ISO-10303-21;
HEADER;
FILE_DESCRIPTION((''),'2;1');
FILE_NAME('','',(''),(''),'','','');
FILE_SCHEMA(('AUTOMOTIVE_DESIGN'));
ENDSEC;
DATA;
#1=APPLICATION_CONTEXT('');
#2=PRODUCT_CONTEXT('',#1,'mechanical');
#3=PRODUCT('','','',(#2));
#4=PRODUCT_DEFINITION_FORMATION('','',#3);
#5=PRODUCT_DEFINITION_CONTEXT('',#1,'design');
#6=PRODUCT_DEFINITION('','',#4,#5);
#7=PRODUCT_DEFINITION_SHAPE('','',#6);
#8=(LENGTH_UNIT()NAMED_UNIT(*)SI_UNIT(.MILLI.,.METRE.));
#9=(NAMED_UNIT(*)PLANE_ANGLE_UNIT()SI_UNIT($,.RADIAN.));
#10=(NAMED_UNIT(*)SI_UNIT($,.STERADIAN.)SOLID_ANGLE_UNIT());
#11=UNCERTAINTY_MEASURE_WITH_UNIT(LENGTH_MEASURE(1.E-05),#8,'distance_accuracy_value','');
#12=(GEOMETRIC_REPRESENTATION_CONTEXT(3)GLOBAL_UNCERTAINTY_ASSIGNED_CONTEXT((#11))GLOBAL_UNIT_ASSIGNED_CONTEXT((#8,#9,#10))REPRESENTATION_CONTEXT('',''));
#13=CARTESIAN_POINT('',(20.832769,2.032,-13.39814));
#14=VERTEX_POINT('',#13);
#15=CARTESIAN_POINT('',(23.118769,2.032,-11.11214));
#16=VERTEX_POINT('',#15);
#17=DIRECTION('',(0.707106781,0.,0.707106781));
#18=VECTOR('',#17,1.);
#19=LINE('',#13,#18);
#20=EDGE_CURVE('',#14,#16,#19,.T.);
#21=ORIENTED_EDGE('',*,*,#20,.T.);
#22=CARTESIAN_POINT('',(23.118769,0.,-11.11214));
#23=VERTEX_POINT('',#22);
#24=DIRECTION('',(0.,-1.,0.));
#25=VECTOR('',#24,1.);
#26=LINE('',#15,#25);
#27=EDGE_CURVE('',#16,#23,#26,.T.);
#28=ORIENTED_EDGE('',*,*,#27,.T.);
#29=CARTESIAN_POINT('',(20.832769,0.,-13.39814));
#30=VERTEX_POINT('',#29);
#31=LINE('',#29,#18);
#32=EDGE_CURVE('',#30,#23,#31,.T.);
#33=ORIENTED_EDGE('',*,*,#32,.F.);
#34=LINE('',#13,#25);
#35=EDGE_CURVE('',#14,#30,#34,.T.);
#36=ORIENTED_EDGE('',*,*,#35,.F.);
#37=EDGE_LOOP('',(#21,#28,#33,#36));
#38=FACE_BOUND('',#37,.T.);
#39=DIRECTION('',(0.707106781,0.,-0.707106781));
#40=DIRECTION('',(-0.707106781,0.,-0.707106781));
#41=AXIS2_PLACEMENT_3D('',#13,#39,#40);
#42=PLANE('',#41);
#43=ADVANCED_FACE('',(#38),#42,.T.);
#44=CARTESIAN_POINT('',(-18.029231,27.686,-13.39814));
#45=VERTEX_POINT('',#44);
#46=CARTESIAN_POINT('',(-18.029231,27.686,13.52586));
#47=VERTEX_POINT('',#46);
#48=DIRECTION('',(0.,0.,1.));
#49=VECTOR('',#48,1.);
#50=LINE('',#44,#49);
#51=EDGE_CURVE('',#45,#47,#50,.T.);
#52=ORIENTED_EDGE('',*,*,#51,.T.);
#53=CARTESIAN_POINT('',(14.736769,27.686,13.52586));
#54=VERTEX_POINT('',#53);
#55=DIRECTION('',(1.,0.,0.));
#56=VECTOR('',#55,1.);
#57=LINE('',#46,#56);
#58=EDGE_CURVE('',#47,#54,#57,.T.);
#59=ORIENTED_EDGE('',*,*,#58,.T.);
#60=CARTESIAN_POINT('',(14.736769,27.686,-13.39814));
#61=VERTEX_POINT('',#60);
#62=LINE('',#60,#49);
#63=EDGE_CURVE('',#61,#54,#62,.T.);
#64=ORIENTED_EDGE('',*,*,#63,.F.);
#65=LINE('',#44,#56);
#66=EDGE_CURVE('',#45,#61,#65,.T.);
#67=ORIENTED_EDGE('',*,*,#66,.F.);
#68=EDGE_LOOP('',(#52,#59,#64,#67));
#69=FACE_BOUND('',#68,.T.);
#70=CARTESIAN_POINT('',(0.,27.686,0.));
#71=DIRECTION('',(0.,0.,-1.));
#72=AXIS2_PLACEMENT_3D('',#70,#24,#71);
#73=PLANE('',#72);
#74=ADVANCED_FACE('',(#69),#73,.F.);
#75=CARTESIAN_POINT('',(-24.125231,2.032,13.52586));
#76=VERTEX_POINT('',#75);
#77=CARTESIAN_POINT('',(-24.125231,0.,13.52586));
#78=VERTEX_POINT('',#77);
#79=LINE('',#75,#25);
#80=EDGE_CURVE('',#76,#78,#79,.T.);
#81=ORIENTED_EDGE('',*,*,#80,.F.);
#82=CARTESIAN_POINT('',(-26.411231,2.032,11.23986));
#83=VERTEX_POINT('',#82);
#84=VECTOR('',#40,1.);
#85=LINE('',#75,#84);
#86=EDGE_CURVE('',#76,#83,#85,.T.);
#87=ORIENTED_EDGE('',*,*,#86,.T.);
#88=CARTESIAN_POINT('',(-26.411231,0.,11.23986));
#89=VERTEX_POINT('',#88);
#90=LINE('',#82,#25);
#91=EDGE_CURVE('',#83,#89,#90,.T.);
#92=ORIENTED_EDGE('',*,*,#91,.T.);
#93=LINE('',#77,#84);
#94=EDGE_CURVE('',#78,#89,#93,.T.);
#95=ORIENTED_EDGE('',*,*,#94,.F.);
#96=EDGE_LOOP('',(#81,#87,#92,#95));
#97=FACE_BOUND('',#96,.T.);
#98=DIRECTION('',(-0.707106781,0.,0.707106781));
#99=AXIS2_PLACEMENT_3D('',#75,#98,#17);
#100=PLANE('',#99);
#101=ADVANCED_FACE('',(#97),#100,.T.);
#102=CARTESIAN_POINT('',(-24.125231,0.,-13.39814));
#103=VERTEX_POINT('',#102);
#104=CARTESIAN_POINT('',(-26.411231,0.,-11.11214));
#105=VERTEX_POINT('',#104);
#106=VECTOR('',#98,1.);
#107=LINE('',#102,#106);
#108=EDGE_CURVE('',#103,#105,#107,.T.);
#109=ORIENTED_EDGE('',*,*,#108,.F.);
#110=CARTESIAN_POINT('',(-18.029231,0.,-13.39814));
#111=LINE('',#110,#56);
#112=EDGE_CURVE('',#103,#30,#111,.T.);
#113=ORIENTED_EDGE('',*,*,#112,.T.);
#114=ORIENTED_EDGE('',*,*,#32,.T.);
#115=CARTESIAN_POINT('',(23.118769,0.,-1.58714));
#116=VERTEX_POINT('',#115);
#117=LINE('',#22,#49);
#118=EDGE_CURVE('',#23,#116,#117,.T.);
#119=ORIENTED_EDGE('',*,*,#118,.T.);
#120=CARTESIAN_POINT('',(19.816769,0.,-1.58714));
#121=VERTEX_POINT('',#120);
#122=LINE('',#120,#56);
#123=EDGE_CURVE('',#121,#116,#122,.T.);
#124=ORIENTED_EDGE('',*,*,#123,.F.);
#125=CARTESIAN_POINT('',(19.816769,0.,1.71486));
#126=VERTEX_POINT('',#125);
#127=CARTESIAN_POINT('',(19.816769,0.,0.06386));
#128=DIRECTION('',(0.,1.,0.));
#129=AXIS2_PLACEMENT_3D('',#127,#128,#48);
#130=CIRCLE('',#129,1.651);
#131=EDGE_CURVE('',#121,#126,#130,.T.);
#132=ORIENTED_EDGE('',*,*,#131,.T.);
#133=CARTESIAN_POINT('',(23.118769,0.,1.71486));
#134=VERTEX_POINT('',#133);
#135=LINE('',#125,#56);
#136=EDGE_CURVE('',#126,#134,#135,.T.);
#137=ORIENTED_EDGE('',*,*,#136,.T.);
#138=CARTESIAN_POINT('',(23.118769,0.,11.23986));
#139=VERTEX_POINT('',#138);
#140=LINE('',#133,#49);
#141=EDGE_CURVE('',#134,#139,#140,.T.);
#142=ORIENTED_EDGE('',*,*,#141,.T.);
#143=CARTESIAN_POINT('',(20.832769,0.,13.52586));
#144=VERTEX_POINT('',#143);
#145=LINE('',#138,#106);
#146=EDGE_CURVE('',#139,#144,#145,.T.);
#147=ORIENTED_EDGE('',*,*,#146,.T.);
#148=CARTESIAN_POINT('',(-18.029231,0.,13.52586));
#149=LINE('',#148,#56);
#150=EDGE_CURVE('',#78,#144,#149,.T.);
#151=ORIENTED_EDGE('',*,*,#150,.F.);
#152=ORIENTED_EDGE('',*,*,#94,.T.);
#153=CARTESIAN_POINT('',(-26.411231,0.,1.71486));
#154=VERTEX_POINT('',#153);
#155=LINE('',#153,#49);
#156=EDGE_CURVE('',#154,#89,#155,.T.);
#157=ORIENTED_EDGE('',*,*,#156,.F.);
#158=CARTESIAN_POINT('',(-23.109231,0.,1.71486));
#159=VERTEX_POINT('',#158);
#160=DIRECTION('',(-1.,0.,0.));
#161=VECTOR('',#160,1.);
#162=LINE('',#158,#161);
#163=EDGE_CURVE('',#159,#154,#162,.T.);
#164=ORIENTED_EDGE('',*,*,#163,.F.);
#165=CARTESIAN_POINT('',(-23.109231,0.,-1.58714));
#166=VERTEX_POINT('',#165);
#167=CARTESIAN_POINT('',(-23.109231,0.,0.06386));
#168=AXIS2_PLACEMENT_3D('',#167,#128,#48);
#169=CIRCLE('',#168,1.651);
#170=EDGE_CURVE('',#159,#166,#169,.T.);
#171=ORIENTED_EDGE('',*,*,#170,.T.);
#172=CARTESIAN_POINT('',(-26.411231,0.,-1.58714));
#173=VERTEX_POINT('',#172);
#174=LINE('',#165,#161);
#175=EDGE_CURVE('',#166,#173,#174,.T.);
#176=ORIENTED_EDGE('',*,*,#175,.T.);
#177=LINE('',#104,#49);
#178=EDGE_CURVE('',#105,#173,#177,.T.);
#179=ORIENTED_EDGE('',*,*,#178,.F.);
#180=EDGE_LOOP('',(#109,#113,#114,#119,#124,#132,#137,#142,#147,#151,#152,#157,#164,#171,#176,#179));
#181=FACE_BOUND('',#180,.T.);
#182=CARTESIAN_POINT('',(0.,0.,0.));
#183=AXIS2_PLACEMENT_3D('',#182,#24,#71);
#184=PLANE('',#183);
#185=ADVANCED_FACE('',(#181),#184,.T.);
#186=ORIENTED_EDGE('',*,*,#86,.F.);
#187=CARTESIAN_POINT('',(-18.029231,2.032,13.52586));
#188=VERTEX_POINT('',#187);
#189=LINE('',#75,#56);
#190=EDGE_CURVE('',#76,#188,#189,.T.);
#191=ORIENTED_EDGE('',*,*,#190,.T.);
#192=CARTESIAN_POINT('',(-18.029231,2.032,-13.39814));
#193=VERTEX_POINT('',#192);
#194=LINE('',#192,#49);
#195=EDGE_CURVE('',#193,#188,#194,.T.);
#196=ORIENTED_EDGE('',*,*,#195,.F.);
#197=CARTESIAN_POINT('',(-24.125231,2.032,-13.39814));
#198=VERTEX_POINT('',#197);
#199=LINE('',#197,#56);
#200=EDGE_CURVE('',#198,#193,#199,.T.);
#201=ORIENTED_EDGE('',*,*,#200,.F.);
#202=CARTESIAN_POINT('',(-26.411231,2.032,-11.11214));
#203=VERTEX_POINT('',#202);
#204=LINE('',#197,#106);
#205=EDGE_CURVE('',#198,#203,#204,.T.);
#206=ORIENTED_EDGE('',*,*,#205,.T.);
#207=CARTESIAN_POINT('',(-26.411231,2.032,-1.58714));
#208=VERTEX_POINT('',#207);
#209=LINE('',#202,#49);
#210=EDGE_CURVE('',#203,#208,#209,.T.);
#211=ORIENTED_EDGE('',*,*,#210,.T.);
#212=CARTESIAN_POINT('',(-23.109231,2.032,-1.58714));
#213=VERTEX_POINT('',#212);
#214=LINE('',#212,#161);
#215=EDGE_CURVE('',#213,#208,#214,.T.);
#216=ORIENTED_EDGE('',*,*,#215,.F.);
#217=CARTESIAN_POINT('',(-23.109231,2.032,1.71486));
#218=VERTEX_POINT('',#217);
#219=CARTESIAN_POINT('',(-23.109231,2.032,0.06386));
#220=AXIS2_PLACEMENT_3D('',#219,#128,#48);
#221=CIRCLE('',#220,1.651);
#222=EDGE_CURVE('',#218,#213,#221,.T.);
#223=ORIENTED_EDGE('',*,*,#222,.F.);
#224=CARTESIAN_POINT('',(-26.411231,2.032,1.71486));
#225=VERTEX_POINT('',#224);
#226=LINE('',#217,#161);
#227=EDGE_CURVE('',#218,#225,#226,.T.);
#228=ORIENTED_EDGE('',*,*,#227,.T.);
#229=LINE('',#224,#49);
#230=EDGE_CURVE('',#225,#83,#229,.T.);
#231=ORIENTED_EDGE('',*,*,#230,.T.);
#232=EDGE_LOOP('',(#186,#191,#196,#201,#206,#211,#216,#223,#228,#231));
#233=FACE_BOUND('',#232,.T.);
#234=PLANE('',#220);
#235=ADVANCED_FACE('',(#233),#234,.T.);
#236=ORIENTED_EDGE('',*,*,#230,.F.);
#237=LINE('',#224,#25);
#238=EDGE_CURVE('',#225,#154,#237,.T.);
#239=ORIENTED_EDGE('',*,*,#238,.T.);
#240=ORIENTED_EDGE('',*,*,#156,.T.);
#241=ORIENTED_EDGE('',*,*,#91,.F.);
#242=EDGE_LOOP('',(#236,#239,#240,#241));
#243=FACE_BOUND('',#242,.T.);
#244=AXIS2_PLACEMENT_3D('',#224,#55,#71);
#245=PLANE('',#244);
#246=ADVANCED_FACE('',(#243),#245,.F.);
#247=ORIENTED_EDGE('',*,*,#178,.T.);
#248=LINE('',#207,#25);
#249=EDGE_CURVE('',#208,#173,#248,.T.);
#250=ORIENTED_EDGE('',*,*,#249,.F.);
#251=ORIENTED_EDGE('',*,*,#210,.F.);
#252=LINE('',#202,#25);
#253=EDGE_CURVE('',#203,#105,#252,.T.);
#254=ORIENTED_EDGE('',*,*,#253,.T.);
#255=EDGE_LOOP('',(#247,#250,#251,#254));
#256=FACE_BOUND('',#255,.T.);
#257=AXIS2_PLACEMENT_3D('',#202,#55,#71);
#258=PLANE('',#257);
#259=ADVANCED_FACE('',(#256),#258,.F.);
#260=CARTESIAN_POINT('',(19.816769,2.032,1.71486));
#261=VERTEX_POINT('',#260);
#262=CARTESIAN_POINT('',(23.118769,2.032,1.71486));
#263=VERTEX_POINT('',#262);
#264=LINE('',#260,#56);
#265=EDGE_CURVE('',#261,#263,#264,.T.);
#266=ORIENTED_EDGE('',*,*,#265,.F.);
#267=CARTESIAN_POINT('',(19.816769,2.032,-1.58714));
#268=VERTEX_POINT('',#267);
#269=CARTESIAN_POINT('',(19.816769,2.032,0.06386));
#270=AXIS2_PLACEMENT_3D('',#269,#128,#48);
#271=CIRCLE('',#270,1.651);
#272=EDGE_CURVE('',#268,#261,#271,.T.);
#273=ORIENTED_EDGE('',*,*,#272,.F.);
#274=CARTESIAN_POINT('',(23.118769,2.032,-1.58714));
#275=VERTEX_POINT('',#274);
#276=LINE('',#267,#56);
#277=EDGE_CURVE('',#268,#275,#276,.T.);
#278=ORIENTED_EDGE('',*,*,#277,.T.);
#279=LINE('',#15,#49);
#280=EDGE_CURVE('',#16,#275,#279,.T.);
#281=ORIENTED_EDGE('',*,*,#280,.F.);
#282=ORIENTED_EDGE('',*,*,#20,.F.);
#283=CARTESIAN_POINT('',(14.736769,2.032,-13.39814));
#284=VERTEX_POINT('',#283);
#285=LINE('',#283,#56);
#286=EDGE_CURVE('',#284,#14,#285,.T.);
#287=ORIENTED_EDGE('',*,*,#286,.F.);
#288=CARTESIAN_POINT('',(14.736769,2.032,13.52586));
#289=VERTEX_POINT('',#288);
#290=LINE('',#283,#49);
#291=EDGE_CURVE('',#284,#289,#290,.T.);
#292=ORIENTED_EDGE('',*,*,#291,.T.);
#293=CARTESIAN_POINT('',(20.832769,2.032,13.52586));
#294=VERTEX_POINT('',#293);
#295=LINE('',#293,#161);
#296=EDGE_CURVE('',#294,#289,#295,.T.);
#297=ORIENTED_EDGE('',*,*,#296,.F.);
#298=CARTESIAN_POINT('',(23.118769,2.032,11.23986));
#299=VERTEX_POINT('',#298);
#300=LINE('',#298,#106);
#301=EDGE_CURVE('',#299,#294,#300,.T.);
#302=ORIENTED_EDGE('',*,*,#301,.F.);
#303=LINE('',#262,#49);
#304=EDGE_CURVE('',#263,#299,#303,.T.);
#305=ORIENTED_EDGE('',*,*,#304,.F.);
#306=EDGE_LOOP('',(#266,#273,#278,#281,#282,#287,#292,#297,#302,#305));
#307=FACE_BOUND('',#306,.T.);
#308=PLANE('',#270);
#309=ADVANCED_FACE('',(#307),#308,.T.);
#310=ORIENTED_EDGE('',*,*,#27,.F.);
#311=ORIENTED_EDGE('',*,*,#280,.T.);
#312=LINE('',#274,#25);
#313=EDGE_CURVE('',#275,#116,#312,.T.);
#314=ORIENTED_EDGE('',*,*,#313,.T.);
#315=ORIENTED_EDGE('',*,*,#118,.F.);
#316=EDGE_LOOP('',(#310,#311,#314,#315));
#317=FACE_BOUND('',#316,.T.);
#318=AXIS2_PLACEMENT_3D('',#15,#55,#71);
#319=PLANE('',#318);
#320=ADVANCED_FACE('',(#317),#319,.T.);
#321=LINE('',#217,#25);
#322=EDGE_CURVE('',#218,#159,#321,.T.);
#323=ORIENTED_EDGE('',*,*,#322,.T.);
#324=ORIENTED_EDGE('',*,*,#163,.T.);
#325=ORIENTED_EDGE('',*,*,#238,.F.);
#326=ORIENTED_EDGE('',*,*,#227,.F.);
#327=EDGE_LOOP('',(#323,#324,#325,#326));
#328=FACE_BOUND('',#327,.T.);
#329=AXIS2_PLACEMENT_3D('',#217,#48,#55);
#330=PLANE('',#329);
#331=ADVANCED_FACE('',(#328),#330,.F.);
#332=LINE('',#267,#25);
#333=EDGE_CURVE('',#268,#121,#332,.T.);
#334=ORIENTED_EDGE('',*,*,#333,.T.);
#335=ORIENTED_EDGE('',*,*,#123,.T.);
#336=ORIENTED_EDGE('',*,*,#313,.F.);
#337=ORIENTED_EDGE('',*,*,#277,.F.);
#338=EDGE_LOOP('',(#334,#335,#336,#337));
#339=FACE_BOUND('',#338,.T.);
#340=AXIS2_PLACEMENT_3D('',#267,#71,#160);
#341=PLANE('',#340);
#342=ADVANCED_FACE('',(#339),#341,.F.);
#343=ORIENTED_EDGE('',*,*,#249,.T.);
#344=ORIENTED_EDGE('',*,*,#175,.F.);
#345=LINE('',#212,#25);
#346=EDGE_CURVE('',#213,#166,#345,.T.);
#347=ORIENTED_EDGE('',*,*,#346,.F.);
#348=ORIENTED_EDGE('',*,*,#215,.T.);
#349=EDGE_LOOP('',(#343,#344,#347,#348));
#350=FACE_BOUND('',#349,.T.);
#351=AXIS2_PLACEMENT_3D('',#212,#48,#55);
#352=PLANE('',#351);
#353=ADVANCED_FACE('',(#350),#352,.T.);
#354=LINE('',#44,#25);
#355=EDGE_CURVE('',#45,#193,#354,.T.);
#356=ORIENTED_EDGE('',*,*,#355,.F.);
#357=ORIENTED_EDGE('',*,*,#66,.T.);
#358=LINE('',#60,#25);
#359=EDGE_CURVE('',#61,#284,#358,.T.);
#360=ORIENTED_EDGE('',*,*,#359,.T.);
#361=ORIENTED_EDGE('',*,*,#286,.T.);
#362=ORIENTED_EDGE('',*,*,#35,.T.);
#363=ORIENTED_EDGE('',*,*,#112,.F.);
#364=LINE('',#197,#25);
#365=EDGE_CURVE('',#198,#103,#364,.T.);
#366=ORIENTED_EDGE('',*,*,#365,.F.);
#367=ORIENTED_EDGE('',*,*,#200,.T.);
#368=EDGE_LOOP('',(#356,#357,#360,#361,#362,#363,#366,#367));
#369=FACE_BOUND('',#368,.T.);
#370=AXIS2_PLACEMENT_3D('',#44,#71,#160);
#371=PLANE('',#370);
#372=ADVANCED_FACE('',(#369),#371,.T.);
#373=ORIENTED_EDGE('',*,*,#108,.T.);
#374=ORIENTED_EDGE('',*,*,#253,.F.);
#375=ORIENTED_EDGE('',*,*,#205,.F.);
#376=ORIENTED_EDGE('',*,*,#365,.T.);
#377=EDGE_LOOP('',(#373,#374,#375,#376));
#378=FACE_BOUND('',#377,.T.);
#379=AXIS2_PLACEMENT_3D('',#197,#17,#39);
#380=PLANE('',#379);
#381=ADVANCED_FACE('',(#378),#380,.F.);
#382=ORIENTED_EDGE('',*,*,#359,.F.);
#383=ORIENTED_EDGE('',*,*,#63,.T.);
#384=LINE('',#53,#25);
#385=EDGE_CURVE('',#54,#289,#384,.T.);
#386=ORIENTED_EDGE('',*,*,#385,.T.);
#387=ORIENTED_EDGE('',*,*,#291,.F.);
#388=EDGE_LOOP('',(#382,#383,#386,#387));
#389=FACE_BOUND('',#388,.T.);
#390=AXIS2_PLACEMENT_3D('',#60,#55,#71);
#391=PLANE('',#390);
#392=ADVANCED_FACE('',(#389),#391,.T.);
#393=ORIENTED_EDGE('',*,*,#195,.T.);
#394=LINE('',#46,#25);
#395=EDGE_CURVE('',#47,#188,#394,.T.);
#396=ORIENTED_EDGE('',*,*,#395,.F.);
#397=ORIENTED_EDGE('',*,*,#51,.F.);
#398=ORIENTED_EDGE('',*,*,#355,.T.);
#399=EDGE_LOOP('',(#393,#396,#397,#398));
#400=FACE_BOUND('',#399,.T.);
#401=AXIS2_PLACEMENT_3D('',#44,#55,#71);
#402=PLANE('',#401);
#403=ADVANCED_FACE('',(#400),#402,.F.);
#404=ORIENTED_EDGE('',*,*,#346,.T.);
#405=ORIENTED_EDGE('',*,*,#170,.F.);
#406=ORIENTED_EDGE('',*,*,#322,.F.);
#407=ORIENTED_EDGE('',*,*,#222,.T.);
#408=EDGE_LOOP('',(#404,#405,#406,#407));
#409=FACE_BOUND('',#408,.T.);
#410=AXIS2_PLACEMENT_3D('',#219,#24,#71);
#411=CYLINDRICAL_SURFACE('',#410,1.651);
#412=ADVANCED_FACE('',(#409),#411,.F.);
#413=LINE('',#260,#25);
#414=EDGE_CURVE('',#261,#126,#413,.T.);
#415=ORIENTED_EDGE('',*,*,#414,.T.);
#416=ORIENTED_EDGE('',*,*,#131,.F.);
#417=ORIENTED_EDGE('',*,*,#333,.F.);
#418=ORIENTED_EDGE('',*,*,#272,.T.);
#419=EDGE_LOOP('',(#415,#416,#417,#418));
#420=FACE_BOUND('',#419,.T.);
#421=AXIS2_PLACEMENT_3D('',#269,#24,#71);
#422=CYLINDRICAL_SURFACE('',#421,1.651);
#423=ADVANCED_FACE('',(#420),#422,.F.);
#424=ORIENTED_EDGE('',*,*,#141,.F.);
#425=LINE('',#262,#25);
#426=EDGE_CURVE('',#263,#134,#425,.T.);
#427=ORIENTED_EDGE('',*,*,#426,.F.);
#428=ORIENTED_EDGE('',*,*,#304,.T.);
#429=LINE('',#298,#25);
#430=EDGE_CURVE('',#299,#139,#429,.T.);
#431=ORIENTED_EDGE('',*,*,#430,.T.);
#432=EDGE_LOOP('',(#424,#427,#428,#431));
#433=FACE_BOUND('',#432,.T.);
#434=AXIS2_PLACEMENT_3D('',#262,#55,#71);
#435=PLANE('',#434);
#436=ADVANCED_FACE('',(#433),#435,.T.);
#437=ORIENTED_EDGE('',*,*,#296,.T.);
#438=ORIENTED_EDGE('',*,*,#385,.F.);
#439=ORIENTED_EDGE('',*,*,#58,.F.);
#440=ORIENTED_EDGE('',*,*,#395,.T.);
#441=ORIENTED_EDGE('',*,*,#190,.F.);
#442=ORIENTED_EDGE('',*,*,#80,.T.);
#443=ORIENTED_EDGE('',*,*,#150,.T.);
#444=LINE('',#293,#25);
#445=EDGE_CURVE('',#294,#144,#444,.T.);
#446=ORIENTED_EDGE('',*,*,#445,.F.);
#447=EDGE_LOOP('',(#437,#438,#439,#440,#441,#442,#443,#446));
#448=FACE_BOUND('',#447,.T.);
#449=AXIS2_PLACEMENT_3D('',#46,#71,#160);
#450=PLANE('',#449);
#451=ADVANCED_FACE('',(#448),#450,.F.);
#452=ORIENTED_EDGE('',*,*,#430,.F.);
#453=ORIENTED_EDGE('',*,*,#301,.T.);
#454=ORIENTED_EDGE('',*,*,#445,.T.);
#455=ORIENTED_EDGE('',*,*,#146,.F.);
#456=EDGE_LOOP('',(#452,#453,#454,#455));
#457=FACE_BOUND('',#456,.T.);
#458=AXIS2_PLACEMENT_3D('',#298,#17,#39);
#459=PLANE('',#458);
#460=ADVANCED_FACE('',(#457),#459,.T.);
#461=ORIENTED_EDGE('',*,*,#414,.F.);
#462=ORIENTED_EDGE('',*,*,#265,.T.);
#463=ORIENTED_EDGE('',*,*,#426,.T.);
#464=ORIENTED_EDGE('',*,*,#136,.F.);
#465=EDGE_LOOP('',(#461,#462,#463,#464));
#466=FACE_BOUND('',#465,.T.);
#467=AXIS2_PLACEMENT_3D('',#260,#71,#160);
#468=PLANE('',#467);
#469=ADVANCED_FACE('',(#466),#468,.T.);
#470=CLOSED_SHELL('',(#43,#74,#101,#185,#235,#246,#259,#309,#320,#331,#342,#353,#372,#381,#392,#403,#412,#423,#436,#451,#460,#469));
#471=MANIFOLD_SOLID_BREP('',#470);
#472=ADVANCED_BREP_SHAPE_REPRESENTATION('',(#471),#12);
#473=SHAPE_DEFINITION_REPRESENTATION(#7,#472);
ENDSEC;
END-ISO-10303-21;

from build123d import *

# Parameters (mm, degrees)
SKETCH1_W           = 32.766
SKETCH1_H           = 26.924
BOSS_EXTRUDE1_DEPTH = 27.686
BOSS_EXTRUDE2_DEPTH = 2.032
BOSS_EXTRUDE3_DEPTH = 2.032


with BuildPart() as part:
    # Sketch1 → Boss-Extrude1 (new body)
    with BuildSketch(Plane(origin=(0, 0, 0), x_dir=(1, 0, 0), z_dir=(0, 1, 0))):
        with Locations((-1.646230698, -0.06385993)):
            Rectangle(SKETCH1_W, SKETCH1_H)
    extrude(amount=BOSS_EXTRUDE1_DEPTH)

    # Sketch1<12> → Boss-Extrude2 (add)
    with BuildSketch(Plane(origin=(0, 0, 0), x_dir=(1, 0, 0), z_dir=(0, 1, 0))):
        with BuildLine():
            Line((-18.029230698, 13.39814007), (-18.029230698, -13.52585993))
            Line((-18.029230698, -13.52585993), (-24.125230698, -13.52585993))
            Line((-24.125230698, -13.52585993), (-26.411230698, -11.23985993))
            Line((-26.411230698, -11.23985993), (-26.411230698, -1.71485993))
            Line((-26.411230698, -1.71485993), (-23.109230698, -1.71485993))
            ThreePointArc((-23.109230698, -1.71485993), (-21.458230698, -0.06385993), (-23.109230698, 1.58714007))
            Line((-23.109230698, 1.58714007), (-26.411230698, 1.58714007))
            Line((-26.411230698, 1.58714007), (-26.411230698, 11.11214007))
            Line((-26.411230698, 11.11214007), (-24.125230698, 13.39814007))
            Line((-24.125230698, 13.39814007), (-18.029230698, 13.39814007))
        make_face()
    extrude(amount=BOSS_EXTRUDE2_DEPTH)

    # Sketch1<13> → Boss-Extrude3 (add)
    with BuildSketch(Plane(origin=(0, 0, 0), x_dir=(1, 0, 0), z_dir=(0, 1, 0))):
        with BuildLine():
            Line((20.832769302, -13.52585993), (14.736769302, -13.52585993))
            Line((14.736769302, -13.52585993), (14.736769302, 13.39814007))
            Line((14.736769302, 13.39814007), (20.832769302, 13.39814007))
            Line((20.832769302, 13.39814007), (23.118769302, 11.11214007))
            Line((23.118769302, 11.11214007), (23.118769302, 1.58714007))
            Line((23.118769302, 1.58714007), (19.816769302, 1.58714007))
            ThreePointArc((19.816769302, 1.58714007), (18.165769302, -0.06385993), (19.816769302, -1.71485993))
            Line((19.816769302, -1.71485993), (23.118769302, -1.71485993))
            Line((23.118769302, -1.71485993), (23.118769302, -11.23985993))
            Line((23.118769302, -11.23985993), (20.832769302, -13.52585993))
        make_face()
    extrude(amount=BOSS_EXTRUDE3_DEPTH)


solid = part.part
